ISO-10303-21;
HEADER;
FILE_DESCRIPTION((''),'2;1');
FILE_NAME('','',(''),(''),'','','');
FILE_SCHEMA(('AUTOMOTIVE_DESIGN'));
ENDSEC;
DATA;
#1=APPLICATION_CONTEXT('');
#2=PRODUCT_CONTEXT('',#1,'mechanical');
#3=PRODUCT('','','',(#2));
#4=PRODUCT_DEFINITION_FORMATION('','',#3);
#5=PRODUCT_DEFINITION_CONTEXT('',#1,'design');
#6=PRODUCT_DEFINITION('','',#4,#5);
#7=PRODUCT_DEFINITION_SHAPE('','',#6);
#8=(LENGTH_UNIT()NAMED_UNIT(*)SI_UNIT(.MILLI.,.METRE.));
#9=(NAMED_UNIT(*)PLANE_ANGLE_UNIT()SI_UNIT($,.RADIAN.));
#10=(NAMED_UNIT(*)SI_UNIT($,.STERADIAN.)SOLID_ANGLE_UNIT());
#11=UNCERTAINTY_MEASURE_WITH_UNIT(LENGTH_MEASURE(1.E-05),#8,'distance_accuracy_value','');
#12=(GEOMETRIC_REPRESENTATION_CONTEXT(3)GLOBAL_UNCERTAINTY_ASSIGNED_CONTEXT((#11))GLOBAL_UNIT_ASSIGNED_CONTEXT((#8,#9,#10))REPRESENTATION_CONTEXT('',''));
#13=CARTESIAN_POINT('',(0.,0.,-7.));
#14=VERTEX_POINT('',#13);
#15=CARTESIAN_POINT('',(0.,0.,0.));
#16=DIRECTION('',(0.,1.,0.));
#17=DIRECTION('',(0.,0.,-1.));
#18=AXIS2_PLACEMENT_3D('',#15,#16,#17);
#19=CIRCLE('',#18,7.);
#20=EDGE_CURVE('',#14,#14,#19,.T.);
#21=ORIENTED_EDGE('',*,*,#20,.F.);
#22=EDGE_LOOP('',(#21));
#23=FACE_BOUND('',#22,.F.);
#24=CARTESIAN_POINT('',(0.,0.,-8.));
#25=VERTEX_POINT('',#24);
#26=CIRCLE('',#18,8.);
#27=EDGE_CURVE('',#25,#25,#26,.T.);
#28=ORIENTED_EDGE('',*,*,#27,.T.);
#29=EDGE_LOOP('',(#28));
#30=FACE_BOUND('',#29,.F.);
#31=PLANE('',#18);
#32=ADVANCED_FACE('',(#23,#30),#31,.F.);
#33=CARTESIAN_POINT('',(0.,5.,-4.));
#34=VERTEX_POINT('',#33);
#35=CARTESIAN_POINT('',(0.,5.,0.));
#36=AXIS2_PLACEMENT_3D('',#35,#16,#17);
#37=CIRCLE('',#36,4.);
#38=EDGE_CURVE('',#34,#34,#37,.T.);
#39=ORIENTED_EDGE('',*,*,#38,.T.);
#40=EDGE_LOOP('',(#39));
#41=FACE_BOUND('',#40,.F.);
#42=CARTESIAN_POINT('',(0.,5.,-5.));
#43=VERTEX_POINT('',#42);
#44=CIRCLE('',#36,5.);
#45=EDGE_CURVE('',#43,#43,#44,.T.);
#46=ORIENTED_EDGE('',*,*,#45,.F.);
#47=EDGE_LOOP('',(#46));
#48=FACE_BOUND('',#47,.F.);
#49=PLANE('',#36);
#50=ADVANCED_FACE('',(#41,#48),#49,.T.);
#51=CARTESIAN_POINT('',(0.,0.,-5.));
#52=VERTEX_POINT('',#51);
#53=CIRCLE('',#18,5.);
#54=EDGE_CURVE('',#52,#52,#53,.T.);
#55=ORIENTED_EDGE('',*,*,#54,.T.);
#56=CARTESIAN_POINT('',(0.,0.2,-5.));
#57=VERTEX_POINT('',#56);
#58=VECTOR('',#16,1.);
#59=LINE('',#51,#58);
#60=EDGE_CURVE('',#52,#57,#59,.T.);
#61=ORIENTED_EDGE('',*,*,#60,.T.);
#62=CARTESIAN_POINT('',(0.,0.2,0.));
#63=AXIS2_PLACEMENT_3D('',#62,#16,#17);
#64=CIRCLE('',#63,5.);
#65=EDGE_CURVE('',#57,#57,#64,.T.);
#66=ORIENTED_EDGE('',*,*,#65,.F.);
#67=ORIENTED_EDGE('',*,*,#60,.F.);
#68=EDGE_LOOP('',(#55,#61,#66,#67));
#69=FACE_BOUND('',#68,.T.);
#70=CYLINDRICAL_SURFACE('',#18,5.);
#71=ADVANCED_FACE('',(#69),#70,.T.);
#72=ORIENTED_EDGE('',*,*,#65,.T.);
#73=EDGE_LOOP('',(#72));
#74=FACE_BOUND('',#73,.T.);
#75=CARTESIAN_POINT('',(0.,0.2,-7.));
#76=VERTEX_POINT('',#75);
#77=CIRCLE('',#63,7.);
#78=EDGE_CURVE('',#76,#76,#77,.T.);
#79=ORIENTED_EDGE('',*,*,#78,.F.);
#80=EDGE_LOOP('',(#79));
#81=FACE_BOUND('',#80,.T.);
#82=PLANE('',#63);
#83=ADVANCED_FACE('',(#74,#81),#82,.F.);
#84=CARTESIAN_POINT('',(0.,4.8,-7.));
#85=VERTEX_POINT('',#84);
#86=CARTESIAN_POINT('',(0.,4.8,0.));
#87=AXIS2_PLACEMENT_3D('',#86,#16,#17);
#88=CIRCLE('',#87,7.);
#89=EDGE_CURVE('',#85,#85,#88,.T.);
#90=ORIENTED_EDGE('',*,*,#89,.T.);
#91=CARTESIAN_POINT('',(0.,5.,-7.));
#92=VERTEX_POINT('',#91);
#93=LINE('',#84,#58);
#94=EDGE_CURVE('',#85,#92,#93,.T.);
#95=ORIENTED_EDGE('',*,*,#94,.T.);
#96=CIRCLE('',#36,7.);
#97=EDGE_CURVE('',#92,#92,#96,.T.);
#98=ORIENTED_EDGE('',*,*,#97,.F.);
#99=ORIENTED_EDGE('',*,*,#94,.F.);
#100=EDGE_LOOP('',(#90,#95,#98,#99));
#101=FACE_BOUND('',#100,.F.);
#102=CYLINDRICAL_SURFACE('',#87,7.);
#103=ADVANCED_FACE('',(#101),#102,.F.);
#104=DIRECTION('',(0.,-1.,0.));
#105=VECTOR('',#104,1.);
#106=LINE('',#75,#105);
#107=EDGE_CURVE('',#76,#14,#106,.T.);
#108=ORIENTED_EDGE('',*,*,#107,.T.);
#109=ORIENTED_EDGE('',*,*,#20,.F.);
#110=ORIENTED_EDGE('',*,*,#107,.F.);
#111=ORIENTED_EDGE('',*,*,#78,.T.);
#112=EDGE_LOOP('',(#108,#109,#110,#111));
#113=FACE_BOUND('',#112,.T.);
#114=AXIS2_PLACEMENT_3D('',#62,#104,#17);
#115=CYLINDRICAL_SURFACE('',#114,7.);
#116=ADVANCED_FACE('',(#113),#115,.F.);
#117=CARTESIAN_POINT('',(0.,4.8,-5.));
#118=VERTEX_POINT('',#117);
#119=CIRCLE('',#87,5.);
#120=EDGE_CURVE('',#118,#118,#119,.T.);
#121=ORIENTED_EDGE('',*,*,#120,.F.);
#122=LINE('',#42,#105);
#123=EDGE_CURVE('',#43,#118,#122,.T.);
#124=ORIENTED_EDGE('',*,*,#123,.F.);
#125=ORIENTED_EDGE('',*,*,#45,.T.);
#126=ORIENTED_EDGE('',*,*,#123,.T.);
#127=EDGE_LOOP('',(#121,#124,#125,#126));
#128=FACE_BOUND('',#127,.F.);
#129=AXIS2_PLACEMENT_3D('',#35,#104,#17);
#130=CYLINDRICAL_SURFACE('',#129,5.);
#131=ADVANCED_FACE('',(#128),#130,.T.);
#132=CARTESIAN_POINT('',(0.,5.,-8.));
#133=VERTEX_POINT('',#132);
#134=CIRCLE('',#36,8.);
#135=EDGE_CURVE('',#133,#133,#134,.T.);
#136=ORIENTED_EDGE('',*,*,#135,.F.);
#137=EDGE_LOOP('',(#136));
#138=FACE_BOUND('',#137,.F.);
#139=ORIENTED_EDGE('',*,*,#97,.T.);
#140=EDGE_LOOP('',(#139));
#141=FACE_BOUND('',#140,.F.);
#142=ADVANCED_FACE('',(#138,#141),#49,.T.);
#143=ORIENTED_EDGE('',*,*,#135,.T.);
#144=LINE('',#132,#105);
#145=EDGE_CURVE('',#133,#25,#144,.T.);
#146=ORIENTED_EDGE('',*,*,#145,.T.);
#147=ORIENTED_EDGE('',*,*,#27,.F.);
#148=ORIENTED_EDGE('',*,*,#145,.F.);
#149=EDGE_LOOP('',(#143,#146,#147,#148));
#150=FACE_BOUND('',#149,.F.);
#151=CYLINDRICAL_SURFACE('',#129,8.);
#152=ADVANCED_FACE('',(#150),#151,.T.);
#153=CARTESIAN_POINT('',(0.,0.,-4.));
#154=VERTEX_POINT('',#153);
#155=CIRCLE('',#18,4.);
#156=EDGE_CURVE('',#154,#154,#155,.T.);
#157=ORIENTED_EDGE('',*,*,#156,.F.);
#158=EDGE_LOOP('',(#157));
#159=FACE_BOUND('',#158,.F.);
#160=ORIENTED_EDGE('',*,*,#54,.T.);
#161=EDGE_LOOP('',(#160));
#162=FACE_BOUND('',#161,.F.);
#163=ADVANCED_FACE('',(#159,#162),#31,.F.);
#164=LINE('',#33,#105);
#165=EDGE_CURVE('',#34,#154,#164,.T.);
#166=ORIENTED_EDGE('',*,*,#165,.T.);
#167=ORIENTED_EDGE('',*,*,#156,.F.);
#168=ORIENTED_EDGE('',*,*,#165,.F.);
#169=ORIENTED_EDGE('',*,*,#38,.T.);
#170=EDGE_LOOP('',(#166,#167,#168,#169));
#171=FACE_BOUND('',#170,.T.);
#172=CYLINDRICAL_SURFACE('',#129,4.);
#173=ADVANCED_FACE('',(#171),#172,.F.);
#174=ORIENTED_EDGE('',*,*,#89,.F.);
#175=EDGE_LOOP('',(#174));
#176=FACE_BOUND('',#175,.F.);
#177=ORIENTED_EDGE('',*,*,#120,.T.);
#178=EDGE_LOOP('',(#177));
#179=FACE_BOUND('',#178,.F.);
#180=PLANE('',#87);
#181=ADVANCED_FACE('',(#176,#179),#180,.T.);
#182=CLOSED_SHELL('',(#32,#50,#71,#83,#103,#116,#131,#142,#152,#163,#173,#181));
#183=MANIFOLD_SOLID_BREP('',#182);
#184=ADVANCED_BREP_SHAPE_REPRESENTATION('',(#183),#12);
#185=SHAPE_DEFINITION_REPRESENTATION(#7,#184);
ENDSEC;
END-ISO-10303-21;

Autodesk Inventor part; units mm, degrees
ref_plane "YZ Plane" through (0, 0, 0) normal (1, 0, 0) x (0, 1, 0)
ref_plane "XZ Plane" through (0, 0, 0) normal (0, 1, 0) x (-1, 0, 0)
ref_plane "XY Plane" through (0, 0, 0) normal (0, 0, 1) x (1, 0, 0)
sketch "Sketch1" plane through (0, 0, 0) normal (1, 0, 0) x (0, 1, 0)
  line L0 (0, 0) -> (5, 0) construction
  line L1 (5, 0) -> (5, -4) construction
  line L2 (5, -4) -> (0, -4)
  line L3 (0, -4) -> (0, 0) construction
  line L4 (5, -8) -> (0, -8)
  line L5 (5, -5) -> (4.8, -5)
  line L6 (4.8, -5) -> (4.8, -7)
  line L7 (4.8, -7) -> (5, -7)
  line L8 (0, -5) -> (0.2, -5)
  line L9 (0.2, -5) -> (0.2, -7)
  line L10 (0.2, -7) -> (0, -7)
  line L11 (5, -4) -> (5, -5)
  line L12 (5, -7) -> (5, -8)
  line L13 (0, -8) -> (0, -7)
  line L14 (0, -5) -> (0, -4)
  dimension "d0" = 4
  dimension "d2" = 5
  dimension "d5" = 8
  dimension "d6" = 0.2
  dimension "d7" = 1
revolve "Revolution1" add sketch "Sketch1" angle 360 about axis through (0, 0, 0) along (0, 1, 0)
properties part number "688 bearing"
